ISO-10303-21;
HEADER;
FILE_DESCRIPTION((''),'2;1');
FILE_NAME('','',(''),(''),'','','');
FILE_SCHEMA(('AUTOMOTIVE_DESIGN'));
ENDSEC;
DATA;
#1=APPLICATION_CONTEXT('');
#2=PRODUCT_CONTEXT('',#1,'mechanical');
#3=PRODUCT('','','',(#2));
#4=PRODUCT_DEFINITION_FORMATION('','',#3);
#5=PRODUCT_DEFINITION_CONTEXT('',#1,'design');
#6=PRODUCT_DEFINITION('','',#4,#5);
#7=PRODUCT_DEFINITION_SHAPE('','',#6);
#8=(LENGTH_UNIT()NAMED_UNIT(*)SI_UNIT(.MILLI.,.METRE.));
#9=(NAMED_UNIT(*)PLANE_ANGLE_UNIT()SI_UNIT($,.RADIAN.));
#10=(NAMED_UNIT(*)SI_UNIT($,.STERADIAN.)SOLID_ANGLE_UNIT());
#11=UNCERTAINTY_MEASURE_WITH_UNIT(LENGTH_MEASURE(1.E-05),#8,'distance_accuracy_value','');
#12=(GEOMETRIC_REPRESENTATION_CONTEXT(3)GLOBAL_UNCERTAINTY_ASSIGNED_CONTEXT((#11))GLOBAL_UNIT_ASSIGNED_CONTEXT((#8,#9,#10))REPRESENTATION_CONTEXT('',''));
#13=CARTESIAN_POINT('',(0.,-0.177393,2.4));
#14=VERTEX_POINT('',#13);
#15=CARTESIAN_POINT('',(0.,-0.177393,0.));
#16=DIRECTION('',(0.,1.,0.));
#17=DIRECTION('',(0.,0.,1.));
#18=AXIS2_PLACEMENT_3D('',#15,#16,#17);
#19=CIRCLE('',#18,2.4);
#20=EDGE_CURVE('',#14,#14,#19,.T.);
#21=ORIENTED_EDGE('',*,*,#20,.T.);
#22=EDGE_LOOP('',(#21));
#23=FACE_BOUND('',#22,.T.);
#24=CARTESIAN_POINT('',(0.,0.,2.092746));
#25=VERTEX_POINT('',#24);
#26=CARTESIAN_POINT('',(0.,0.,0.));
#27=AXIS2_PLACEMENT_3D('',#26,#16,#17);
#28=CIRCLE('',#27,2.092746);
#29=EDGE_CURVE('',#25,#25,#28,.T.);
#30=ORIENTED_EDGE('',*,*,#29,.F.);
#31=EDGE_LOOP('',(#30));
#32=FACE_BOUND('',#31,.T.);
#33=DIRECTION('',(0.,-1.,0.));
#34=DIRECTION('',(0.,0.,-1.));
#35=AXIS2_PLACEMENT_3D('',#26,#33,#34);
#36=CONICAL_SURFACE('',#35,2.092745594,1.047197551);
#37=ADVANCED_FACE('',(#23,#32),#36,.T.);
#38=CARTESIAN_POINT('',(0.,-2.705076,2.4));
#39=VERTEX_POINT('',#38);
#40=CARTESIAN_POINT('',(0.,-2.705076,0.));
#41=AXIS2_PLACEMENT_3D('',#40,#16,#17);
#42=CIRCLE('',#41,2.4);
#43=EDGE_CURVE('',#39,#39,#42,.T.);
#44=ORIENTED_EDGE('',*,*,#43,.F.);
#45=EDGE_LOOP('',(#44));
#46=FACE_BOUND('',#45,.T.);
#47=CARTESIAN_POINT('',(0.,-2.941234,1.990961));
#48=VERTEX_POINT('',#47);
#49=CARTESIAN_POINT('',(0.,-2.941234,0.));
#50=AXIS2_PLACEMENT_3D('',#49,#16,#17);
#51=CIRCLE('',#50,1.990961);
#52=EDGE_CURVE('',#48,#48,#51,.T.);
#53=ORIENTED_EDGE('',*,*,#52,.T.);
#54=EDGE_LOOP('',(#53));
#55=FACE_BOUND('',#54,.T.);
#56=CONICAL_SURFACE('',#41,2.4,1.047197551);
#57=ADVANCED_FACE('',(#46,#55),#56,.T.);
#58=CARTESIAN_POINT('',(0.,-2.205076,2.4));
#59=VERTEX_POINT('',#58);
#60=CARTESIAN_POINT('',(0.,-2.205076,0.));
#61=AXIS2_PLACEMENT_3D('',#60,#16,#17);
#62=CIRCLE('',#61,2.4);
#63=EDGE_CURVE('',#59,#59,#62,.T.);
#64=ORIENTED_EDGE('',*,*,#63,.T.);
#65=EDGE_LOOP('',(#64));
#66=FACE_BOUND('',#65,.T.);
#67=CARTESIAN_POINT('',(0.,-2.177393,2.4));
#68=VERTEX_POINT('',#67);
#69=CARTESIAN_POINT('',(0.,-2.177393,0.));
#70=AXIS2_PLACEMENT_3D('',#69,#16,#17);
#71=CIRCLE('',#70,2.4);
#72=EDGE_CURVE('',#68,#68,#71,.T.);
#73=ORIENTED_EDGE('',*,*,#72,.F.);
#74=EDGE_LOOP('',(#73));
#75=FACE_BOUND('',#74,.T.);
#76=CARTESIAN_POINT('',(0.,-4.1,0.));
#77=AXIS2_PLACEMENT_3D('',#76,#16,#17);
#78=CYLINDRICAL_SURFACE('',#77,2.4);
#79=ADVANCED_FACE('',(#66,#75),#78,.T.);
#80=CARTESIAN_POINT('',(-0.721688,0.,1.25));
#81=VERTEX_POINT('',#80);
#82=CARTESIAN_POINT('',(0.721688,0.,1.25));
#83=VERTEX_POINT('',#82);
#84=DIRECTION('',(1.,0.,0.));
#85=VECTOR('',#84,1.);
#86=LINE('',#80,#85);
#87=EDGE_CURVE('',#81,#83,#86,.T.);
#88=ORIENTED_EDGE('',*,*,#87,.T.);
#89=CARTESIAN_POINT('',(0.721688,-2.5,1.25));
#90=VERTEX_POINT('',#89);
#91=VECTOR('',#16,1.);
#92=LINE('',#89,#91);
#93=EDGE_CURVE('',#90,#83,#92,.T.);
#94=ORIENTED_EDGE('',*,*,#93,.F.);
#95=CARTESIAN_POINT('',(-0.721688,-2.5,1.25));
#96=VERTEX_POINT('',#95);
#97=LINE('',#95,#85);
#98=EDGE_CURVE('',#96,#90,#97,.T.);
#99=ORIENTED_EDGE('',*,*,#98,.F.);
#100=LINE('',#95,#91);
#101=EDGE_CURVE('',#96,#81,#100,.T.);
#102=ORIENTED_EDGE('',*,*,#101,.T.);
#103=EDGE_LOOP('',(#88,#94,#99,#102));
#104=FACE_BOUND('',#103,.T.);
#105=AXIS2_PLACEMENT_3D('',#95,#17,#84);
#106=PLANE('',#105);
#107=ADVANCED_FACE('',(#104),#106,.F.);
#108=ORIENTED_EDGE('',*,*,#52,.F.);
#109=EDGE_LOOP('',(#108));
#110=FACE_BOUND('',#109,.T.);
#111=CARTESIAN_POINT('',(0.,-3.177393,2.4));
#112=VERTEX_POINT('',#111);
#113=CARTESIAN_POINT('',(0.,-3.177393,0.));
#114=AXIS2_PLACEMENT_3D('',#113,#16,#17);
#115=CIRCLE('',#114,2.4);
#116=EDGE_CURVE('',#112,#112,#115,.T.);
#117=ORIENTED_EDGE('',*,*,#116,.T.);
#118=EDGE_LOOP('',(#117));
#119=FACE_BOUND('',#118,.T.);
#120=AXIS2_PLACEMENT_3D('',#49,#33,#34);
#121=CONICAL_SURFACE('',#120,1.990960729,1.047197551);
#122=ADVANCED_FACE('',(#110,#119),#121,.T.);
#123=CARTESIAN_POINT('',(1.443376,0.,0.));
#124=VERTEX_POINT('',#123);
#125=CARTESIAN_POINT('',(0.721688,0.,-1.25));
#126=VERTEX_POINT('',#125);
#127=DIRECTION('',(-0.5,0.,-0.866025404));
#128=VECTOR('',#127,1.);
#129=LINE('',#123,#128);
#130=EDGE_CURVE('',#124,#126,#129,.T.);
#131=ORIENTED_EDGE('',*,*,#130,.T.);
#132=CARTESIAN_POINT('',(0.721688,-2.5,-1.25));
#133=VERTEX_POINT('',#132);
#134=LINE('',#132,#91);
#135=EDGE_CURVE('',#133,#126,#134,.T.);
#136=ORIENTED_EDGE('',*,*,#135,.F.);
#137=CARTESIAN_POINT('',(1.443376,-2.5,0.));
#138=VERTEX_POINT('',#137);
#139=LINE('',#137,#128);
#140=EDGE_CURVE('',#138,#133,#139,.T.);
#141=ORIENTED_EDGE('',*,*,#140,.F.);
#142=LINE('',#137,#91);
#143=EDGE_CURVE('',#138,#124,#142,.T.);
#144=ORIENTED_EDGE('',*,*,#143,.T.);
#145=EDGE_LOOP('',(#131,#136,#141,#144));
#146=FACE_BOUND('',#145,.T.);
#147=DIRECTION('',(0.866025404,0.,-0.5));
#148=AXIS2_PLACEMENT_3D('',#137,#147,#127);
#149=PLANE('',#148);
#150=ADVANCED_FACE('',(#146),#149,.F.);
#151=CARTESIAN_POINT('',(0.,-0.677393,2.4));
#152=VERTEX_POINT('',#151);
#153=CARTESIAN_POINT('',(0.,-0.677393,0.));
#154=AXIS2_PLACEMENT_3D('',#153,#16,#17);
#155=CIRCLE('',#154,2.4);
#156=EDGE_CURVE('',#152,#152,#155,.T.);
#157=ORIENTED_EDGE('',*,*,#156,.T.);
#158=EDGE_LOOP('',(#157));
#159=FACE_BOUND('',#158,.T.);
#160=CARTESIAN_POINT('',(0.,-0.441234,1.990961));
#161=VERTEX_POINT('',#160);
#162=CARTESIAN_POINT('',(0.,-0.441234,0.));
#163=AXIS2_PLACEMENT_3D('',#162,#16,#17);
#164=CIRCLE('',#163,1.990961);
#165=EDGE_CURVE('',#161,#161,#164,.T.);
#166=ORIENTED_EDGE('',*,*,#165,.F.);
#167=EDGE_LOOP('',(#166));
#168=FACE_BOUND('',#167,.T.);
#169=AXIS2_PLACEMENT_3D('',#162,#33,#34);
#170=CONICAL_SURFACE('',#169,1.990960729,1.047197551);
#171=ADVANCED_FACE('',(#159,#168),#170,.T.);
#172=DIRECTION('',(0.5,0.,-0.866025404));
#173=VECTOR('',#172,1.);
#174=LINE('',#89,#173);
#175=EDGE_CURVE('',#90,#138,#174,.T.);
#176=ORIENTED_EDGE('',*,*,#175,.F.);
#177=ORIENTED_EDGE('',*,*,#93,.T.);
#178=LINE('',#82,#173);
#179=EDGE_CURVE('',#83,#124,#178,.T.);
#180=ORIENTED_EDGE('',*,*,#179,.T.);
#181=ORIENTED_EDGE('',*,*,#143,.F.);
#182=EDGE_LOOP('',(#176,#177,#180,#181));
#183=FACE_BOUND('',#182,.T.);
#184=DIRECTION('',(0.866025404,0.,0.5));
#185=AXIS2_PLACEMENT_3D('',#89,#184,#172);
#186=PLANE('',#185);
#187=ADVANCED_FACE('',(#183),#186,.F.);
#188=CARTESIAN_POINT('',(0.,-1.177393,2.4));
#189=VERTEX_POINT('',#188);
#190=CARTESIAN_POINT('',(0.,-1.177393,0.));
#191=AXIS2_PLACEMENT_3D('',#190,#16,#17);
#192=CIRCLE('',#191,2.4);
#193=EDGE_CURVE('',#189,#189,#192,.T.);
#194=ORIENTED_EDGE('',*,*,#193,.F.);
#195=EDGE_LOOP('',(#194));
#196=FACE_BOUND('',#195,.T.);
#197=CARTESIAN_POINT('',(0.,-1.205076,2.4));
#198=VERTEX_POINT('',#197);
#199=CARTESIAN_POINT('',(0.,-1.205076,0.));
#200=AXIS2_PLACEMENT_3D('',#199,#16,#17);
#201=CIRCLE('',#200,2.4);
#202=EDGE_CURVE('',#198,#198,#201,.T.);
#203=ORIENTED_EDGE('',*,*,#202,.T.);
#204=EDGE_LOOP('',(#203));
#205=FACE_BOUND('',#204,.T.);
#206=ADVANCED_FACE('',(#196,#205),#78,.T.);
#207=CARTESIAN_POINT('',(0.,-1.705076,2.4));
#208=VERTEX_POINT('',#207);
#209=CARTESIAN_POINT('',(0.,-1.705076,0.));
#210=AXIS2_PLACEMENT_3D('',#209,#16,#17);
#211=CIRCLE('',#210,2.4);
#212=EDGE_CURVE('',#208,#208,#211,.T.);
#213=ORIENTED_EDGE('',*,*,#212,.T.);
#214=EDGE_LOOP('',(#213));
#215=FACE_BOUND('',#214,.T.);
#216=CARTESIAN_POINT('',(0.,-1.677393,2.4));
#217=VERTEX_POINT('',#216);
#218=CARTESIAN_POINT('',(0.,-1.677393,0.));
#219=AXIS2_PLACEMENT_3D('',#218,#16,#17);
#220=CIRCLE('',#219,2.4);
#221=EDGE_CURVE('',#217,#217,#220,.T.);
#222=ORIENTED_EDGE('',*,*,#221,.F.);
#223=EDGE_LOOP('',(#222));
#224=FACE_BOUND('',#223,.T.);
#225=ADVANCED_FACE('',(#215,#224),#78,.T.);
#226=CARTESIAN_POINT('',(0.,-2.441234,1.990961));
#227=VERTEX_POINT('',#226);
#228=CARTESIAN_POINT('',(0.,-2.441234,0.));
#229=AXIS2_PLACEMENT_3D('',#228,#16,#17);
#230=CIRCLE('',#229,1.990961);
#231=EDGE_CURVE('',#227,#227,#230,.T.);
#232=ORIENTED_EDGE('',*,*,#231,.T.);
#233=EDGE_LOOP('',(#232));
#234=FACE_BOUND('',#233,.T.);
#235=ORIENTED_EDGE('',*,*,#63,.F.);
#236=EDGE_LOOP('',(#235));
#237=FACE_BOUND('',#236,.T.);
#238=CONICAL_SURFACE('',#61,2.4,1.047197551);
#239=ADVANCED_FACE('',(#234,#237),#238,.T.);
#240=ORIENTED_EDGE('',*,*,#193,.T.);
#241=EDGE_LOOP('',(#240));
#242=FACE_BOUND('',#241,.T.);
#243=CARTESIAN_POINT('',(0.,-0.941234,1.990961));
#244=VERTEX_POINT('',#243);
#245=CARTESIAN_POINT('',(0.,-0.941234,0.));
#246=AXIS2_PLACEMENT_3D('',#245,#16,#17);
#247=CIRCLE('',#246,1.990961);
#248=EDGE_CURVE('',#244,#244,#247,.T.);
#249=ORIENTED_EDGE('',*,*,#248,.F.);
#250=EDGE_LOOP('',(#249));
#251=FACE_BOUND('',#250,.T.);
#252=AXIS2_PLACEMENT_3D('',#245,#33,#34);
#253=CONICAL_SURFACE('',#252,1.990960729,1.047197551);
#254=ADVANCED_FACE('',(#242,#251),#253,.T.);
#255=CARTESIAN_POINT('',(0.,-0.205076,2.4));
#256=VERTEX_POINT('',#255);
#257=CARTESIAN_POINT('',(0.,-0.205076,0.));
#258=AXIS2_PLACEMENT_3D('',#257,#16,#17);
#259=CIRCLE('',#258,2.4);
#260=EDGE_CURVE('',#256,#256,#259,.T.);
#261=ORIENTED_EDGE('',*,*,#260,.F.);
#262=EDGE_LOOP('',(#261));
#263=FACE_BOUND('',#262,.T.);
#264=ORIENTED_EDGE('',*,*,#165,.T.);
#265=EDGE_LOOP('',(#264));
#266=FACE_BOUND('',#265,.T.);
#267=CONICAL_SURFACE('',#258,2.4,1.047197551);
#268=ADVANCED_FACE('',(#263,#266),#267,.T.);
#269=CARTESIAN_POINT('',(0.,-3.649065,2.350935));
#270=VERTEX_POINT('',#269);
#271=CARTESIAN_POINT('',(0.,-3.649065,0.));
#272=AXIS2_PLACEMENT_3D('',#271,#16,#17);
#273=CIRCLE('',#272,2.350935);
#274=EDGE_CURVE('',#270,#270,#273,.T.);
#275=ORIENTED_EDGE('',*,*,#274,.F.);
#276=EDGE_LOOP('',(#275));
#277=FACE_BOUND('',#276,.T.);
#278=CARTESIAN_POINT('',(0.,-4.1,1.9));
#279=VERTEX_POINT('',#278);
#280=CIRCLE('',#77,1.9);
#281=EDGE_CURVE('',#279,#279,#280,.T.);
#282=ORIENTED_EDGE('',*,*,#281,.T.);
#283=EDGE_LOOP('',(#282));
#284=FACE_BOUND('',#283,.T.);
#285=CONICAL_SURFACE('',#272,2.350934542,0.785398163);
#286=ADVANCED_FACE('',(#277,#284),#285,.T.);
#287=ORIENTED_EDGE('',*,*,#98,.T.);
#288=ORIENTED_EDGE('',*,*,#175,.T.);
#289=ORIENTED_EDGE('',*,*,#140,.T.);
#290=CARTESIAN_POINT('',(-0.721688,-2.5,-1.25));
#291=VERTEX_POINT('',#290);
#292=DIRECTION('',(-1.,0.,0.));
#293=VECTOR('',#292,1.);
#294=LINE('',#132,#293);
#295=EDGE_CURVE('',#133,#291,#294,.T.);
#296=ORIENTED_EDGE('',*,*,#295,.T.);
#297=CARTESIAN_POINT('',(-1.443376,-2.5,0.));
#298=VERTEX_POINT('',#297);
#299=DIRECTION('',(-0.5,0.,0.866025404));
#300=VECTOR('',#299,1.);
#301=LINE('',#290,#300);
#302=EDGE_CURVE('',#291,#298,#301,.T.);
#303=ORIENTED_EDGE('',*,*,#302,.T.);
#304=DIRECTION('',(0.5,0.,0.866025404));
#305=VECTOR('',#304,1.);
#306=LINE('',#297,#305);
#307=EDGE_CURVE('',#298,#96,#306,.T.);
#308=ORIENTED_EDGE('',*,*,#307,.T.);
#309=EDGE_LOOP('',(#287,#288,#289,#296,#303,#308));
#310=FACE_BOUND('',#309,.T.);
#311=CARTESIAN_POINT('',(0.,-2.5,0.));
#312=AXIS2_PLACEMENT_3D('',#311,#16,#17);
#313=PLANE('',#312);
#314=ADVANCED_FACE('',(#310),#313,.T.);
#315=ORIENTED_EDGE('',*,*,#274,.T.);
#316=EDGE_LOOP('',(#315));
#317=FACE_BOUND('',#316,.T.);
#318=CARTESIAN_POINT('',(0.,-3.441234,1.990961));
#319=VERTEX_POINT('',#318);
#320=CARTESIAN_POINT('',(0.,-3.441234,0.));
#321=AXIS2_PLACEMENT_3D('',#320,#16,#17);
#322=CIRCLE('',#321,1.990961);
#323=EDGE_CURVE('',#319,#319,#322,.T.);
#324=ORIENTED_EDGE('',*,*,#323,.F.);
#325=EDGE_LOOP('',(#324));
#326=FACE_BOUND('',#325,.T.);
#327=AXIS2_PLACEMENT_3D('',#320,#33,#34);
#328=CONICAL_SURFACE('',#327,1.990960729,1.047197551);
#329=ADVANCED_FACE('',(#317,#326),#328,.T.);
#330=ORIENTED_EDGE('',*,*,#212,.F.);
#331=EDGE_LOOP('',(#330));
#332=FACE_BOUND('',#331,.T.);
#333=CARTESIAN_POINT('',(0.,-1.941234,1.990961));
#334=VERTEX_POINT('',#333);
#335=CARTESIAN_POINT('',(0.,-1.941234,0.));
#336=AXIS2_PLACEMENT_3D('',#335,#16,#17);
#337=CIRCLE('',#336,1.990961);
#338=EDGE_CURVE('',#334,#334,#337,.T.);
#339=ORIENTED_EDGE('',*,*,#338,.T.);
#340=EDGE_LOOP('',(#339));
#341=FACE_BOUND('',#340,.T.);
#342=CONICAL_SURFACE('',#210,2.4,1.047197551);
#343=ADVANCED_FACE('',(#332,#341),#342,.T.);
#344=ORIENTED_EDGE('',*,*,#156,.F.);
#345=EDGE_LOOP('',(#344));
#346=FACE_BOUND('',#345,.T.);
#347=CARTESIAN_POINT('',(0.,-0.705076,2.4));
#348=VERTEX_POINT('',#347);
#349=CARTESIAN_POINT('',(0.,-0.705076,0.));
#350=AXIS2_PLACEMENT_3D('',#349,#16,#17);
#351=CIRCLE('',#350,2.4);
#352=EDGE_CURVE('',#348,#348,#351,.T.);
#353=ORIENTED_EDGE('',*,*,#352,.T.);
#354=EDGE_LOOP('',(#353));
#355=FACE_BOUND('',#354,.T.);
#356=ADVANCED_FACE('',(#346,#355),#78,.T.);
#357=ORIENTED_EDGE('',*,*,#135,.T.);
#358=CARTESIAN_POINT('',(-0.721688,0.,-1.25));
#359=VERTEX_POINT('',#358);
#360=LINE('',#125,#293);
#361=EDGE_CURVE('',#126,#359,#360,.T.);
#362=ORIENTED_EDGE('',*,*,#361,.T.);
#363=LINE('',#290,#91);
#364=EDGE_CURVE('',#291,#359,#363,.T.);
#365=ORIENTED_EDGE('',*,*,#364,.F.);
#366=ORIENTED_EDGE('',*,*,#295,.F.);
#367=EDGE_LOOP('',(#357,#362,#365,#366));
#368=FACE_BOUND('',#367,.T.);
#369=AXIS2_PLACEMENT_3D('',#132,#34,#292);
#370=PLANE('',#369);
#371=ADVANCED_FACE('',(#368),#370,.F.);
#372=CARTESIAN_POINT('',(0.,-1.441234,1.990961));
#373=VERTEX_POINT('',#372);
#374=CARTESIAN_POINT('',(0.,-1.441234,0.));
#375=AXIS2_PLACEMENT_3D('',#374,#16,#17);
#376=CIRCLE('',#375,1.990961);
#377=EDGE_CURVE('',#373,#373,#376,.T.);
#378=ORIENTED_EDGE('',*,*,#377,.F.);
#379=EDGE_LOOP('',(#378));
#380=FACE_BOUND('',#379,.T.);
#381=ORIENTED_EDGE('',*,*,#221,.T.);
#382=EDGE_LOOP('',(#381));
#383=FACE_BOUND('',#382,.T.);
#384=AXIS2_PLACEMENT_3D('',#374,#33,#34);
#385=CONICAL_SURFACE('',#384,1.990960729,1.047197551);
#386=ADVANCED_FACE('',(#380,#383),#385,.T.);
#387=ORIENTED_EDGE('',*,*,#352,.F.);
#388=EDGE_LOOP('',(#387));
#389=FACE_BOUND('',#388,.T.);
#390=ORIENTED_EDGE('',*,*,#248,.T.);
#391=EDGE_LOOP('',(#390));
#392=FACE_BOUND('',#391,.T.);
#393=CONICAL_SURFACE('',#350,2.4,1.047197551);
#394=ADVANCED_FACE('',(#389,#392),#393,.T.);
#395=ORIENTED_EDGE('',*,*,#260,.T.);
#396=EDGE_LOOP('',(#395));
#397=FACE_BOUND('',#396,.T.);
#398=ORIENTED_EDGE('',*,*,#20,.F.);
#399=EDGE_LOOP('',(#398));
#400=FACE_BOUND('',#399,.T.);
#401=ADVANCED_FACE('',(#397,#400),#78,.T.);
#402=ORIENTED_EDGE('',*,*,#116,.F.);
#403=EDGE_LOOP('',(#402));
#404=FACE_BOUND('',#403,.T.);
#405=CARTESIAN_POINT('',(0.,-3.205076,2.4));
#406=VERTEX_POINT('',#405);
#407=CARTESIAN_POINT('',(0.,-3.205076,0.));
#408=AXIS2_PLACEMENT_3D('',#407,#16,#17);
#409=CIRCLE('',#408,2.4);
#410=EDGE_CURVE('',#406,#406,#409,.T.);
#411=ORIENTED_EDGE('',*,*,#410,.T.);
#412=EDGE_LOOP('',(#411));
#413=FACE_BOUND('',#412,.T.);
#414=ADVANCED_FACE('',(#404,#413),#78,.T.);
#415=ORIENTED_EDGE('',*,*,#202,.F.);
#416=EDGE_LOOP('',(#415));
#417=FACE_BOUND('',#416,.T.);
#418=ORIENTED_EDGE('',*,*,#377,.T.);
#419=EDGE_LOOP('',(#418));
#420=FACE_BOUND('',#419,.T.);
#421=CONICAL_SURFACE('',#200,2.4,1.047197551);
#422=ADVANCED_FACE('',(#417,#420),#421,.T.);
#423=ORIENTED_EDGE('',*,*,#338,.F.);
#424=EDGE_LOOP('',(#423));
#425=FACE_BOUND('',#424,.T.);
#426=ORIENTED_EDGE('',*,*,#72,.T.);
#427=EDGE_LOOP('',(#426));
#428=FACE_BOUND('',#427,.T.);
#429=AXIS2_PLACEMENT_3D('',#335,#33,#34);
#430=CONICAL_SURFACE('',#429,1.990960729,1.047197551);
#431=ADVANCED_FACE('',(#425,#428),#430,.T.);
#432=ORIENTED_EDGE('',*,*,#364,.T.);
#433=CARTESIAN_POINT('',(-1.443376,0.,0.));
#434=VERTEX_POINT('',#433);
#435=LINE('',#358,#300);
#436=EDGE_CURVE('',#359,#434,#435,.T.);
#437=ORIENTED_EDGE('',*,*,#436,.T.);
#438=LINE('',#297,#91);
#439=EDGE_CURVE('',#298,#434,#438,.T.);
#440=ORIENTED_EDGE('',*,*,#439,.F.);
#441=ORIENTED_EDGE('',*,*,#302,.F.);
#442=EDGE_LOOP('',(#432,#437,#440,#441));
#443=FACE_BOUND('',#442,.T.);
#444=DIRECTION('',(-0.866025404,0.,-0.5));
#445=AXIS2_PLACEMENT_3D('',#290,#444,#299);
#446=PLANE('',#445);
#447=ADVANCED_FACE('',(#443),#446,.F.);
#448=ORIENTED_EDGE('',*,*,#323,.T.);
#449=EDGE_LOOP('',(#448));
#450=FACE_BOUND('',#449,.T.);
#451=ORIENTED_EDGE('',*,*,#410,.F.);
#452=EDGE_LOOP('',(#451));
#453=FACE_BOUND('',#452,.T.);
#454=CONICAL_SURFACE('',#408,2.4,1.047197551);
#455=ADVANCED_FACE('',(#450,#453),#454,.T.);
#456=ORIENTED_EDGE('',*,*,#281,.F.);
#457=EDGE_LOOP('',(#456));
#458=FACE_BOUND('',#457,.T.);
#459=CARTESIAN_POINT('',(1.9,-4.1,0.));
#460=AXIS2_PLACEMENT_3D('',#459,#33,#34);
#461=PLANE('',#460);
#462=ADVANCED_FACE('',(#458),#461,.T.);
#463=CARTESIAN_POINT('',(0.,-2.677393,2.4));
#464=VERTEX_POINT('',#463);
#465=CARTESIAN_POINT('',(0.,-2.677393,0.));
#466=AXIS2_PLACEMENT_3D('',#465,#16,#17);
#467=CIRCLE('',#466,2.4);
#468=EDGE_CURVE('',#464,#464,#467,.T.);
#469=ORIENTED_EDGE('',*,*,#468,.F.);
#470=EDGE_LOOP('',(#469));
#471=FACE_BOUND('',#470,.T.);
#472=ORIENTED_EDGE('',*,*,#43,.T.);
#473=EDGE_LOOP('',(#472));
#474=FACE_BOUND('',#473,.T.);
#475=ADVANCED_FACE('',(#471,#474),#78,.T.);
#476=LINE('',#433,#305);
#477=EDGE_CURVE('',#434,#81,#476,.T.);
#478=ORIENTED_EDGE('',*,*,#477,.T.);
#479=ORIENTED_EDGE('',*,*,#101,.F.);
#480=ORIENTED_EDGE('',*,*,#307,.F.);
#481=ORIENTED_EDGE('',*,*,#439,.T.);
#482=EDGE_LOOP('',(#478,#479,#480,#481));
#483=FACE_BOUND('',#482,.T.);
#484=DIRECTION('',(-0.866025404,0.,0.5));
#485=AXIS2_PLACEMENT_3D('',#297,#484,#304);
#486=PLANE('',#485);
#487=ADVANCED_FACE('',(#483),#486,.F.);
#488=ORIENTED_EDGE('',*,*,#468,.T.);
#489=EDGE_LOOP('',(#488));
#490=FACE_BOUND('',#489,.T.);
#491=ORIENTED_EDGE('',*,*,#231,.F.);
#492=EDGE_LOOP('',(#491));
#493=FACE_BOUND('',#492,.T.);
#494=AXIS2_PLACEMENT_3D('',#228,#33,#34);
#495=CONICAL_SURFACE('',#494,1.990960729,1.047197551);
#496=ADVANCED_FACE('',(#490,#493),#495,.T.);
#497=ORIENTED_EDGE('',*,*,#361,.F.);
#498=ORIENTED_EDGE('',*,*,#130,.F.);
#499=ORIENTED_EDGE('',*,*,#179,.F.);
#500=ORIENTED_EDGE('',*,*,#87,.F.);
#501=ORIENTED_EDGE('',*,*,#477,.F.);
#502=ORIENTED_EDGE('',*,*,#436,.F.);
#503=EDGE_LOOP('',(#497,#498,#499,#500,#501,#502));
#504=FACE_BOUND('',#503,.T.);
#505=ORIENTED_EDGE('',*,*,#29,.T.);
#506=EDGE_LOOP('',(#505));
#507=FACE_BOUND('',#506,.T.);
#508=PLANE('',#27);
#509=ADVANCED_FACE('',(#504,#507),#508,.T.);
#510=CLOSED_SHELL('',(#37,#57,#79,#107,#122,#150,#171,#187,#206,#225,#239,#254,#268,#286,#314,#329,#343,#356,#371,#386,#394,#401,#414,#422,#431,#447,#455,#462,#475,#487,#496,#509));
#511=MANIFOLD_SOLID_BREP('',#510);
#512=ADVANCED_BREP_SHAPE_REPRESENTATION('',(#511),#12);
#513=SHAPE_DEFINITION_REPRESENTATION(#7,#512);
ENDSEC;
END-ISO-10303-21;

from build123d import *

# Parameters (mm, degrees)
CUT_EXTRUDE1_DEPTH = 2.5


with BuildPart() as part:
    # Sketch1 → Revolve1 (revolve)
    with BuildSketch(Plane(origin=(0, 0, 0), x_dir=(-1, 0, 0), z_dir=(0, 0, -1)), mode=Mode.PRIVATE) as revolve1_sk:
        Polygon((-1.9, -4.1), (0, -4.1), (0, 0), (-2.092745595, 0), (-2.4, -0.177393414), (-2.4, -0.205075547), (-1.990960729, -0.441234481), (-2.4, -0.677393414), (-2.4, -0.705075547), (-1.990960729, -0.941234481), (-2.4, -1.177393414), (-2.4, -1.205075547), (-1.990960729, -1.441234481), (-2.4, -1.677393414), (-2.4, -1.705075547), (-1.990960729, -1.94123448), (-2.4, -2.177393414), (-2.4, -2.205075547), (-1.990960729, -2.44123448), (-2.4, -2.677393414), (-2.4, -2.705075547), (-1.990960729, -2.941234481), (-2.4, -3.177393414), (-2.4, -3.205075547), (-1.990960729, -3.441234481), (-2.350934542, -3.649065458), align=None)
    revolve(revolve1_sk.sketch.rotate(Axis((0, -4.1, 0), (0, 1, 0)), 270), axis=Axis((0, -4.1, 0), (0, 1, 0)))

    # Sketch2 → Cut-Extrude1 (cut)
    with BuildSketch(Plane(origin=(0, 0, 0), x_dir=(-1, 0, 0), z_dir=(0, 1, 0))):
        Polygon((0.721687836, -1.25), (1.443375673, 0), (0.721687836, 1.25), (-0.721687836, 1.25), (-1.443375673, 0), (-0.721687836, -1.25), align=None)
    extrude(amount=-CUT_EXTRUDE1_DEPTH, mode=Mode.SUBTRACT)


solid = part.part
